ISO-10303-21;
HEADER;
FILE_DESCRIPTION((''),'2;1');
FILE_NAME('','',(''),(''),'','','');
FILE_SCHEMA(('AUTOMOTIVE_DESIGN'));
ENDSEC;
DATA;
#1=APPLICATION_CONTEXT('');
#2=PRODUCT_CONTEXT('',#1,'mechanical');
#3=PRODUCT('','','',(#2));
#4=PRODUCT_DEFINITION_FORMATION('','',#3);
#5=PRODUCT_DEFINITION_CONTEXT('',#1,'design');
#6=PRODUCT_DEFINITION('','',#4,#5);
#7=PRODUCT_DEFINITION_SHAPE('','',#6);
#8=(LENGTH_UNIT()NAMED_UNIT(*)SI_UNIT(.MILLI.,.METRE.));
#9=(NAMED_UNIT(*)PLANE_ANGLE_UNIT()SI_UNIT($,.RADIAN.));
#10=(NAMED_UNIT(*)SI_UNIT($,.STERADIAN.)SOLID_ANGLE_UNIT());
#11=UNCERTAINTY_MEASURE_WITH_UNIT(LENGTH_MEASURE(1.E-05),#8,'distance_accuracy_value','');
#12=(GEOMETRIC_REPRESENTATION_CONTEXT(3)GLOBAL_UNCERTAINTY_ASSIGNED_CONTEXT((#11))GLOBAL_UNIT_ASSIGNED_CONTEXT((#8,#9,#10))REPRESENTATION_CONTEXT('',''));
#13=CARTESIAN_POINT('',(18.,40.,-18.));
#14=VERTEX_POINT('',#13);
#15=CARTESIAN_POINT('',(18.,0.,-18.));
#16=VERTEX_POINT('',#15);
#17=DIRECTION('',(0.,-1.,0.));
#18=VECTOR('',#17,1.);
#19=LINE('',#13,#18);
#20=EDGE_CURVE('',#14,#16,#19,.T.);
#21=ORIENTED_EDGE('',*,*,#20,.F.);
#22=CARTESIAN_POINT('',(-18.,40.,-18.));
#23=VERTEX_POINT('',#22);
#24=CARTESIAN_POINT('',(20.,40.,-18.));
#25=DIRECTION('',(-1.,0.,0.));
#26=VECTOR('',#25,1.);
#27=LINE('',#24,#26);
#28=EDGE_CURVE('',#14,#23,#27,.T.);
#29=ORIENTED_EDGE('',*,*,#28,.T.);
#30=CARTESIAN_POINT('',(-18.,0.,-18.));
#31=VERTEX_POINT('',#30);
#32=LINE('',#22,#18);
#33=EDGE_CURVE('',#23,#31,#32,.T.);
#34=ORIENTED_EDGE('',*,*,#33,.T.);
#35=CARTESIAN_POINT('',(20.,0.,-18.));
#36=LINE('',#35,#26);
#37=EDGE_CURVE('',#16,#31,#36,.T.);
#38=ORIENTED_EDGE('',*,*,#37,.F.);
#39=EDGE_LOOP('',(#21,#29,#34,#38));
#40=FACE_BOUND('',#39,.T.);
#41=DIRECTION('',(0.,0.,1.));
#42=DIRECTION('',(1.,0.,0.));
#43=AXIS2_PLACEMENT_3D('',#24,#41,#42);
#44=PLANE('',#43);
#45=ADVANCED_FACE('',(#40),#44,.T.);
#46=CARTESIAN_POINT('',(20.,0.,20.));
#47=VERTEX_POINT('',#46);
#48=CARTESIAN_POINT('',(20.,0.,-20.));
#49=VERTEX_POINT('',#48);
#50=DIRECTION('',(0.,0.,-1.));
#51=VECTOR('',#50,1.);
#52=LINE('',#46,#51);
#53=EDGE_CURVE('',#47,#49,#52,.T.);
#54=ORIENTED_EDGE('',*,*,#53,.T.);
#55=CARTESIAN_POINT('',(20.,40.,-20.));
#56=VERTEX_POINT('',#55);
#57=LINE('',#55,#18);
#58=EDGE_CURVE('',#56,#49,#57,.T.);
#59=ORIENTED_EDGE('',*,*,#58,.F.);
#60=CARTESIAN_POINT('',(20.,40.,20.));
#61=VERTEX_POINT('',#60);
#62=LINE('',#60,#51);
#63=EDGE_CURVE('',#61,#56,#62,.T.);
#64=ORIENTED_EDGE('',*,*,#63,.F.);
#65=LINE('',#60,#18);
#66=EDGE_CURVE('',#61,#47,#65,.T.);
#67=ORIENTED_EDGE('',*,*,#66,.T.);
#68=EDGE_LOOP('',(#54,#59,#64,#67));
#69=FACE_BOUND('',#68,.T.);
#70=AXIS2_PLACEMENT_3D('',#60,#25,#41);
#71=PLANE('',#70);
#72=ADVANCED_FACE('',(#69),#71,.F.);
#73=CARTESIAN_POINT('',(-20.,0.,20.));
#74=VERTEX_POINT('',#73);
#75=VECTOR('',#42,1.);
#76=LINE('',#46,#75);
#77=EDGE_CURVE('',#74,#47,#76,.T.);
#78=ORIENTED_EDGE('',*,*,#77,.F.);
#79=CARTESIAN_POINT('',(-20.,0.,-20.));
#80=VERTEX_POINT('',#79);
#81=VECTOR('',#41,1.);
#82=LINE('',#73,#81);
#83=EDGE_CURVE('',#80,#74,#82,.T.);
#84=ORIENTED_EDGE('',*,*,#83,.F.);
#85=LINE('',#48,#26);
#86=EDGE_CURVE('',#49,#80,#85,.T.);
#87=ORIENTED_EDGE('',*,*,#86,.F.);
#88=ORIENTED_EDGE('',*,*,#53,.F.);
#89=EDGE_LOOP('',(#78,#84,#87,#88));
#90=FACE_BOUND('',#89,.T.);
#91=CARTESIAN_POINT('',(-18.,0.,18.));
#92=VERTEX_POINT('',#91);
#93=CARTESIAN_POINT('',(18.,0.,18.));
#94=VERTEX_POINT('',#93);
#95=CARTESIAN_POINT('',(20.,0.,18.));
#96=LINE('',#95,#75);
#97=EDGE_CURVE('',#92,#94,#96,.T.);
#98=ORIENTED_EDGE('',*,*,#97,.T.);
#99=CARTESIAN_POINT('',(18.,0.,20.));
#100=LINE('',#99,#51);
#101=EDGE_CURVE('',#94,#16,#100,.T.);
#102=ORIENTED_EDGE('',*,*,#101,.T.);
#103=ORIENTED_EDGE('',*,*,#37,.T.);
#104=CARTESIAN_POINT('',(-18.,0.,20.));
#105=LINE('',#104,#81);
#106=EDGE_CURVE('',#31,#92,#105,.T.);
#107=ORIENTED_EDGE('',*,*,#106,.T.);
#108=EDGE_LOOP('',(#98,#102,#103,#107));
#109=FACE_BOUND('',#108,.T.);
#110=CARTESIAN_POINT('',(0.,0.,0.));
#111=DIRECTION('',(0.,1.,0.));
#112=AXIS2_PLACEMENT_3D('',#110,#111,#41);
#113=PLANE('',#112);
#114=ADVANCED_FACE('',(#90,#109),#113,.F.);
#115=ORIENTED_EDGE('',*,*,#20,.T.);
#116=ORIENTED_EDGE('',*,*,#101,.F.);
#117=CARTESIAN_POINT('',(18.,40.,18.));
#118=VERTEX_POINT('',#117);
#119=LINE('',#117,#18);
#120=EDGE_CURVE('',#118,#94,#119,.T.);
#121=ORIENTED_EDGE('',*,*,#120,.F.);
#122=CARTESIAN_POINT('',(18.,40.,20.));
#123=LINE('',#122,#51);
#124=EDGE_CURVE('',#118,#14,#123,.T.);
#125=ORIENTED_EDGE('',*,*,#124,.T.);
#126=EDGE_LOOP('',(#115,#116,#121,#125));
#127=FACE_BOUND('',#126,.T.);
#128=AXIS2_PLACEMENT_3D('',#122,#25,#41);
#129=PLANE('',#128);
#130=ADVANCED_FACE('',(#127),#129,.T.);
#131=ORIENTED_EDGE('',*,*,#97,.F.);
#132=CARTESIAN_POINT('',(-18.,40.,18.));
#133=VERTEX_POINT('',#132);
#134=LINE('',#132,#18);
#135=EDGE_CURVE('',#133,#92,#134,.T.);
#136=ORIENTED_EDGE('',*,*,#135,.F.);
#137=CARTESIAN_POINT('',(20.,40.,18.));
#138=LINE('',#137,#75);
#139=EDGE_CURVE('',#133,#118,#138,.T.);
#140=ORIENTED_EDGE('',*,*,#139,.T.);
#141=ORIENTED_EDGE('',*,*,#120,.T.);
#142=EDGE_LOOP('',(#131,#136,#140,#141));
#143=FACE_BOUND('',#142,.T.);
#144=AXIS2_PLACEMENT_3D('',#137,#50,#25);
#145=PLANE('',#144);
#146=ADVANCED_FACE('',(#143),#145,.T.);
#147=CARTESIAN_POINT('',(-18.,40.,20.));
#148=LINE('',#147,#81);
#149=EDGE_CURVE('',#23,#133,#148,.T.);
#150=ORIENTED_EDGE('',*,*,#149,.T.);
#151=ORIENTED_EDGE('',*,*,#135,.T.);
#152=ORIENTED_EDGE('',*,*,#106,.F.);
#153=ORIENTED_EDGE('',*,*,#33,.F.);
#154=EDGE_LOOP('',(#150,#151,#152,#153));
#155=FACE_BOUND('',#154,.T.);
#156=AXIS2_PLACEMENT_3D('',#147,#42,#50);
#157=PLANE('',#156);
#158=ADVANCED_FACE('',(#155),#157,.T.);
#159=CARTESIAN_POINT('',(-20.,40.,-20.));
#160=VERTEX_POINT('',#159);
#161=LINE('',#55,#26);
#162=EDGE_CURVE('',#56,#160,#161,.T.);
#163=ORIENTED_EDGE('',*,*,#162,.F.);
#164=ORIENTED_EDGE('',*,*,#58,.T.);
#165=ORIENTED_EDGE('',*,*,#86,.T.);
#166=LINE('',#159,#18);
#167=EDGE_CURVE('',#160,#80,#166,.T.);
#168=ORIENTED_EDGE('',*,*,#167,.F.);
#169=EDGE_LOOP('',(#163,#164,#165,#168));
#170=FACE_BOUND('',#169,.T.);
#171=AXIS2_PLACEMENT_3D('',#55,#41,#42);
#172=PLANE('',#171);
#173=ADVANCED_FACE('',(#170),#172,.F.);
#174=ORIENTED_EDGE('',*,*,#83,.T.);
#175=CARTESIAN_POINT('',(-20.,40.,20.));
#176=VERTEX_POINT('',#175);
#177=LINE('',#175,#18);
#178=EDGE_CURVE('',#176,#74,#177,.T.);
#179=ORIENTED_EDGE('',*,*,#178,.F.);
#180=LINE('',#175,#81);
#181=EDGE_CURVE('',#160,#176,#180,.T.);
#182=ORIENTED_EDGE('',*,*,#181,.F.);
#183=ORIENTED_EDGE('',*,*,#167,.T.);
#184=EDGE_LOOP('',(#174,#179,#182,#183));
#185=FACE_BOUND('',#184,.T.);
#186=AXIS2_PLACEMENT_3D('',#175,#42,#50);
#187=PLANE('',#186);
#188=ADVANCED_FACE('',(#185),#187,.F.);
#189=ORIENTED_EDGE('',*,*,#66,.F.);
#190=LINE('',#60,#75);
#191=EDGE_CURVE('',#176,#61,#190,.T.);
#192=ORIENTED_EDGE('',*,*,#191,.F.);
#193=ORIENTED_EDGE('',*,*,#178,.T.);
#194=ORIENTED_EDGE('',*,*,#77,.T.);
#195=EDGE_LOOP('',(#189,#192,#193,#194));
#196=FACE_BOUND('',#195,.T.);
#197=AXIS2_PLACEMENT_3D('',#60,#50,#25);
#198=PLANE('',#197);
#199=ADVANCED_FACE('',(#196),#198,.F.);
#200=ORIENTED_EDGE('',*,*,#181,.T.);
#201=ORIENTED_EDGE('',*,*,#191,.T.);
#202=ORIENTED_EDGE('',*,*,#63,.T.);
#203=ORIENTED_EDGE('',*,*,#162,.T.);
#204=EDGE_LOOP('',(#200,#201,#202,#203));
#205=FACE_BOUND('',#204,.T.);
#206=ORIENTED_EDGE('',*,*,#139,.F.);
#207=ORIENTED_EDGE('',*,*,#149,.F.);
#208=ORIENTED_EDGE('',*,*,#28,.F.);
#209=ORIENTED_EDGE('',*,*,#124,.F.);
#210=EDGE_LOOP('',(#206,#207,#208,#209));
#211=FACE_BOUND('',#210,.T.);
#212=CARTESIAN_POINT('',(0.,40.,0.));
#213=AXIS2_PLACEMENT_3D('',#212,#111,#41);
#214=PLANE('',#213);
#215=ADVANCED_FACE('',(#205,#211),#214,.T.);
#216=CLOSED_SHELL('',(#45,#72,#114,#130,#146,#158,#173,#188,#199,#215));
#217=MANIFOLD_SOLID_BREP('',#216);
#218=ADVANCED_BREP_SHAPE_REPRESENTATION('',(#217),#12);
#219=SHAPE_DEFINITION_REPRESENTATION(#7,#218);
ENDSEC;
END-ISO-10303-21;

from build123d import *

# Parameters (mm, degrees)
SKETCH1_W           = 40
SKETCH1_H           = 40
SKETCH1_W_2         = 36
SKETCH1_H_2         = 36
EXTRUDE_THIN1_DEPTH = 40


with BuildPart() as part:
    # Sketch1 → Extrude-Thin1 (new body)
    with BuildSketch(Plane(origin=(0, 0, 0), x_dir=(1, 0, 0), z_dir=(0, 1, 0))):
        Rectangle(SKETCH1_W, SKETCH1_H)
        Rectangle(SKETCH1_W_2, SKETCH1_H_2, mode=Mode.SUBTRACT)
    extrude(amount=EXTRUDE_THIN1_DEPTH)


solid = part.part
